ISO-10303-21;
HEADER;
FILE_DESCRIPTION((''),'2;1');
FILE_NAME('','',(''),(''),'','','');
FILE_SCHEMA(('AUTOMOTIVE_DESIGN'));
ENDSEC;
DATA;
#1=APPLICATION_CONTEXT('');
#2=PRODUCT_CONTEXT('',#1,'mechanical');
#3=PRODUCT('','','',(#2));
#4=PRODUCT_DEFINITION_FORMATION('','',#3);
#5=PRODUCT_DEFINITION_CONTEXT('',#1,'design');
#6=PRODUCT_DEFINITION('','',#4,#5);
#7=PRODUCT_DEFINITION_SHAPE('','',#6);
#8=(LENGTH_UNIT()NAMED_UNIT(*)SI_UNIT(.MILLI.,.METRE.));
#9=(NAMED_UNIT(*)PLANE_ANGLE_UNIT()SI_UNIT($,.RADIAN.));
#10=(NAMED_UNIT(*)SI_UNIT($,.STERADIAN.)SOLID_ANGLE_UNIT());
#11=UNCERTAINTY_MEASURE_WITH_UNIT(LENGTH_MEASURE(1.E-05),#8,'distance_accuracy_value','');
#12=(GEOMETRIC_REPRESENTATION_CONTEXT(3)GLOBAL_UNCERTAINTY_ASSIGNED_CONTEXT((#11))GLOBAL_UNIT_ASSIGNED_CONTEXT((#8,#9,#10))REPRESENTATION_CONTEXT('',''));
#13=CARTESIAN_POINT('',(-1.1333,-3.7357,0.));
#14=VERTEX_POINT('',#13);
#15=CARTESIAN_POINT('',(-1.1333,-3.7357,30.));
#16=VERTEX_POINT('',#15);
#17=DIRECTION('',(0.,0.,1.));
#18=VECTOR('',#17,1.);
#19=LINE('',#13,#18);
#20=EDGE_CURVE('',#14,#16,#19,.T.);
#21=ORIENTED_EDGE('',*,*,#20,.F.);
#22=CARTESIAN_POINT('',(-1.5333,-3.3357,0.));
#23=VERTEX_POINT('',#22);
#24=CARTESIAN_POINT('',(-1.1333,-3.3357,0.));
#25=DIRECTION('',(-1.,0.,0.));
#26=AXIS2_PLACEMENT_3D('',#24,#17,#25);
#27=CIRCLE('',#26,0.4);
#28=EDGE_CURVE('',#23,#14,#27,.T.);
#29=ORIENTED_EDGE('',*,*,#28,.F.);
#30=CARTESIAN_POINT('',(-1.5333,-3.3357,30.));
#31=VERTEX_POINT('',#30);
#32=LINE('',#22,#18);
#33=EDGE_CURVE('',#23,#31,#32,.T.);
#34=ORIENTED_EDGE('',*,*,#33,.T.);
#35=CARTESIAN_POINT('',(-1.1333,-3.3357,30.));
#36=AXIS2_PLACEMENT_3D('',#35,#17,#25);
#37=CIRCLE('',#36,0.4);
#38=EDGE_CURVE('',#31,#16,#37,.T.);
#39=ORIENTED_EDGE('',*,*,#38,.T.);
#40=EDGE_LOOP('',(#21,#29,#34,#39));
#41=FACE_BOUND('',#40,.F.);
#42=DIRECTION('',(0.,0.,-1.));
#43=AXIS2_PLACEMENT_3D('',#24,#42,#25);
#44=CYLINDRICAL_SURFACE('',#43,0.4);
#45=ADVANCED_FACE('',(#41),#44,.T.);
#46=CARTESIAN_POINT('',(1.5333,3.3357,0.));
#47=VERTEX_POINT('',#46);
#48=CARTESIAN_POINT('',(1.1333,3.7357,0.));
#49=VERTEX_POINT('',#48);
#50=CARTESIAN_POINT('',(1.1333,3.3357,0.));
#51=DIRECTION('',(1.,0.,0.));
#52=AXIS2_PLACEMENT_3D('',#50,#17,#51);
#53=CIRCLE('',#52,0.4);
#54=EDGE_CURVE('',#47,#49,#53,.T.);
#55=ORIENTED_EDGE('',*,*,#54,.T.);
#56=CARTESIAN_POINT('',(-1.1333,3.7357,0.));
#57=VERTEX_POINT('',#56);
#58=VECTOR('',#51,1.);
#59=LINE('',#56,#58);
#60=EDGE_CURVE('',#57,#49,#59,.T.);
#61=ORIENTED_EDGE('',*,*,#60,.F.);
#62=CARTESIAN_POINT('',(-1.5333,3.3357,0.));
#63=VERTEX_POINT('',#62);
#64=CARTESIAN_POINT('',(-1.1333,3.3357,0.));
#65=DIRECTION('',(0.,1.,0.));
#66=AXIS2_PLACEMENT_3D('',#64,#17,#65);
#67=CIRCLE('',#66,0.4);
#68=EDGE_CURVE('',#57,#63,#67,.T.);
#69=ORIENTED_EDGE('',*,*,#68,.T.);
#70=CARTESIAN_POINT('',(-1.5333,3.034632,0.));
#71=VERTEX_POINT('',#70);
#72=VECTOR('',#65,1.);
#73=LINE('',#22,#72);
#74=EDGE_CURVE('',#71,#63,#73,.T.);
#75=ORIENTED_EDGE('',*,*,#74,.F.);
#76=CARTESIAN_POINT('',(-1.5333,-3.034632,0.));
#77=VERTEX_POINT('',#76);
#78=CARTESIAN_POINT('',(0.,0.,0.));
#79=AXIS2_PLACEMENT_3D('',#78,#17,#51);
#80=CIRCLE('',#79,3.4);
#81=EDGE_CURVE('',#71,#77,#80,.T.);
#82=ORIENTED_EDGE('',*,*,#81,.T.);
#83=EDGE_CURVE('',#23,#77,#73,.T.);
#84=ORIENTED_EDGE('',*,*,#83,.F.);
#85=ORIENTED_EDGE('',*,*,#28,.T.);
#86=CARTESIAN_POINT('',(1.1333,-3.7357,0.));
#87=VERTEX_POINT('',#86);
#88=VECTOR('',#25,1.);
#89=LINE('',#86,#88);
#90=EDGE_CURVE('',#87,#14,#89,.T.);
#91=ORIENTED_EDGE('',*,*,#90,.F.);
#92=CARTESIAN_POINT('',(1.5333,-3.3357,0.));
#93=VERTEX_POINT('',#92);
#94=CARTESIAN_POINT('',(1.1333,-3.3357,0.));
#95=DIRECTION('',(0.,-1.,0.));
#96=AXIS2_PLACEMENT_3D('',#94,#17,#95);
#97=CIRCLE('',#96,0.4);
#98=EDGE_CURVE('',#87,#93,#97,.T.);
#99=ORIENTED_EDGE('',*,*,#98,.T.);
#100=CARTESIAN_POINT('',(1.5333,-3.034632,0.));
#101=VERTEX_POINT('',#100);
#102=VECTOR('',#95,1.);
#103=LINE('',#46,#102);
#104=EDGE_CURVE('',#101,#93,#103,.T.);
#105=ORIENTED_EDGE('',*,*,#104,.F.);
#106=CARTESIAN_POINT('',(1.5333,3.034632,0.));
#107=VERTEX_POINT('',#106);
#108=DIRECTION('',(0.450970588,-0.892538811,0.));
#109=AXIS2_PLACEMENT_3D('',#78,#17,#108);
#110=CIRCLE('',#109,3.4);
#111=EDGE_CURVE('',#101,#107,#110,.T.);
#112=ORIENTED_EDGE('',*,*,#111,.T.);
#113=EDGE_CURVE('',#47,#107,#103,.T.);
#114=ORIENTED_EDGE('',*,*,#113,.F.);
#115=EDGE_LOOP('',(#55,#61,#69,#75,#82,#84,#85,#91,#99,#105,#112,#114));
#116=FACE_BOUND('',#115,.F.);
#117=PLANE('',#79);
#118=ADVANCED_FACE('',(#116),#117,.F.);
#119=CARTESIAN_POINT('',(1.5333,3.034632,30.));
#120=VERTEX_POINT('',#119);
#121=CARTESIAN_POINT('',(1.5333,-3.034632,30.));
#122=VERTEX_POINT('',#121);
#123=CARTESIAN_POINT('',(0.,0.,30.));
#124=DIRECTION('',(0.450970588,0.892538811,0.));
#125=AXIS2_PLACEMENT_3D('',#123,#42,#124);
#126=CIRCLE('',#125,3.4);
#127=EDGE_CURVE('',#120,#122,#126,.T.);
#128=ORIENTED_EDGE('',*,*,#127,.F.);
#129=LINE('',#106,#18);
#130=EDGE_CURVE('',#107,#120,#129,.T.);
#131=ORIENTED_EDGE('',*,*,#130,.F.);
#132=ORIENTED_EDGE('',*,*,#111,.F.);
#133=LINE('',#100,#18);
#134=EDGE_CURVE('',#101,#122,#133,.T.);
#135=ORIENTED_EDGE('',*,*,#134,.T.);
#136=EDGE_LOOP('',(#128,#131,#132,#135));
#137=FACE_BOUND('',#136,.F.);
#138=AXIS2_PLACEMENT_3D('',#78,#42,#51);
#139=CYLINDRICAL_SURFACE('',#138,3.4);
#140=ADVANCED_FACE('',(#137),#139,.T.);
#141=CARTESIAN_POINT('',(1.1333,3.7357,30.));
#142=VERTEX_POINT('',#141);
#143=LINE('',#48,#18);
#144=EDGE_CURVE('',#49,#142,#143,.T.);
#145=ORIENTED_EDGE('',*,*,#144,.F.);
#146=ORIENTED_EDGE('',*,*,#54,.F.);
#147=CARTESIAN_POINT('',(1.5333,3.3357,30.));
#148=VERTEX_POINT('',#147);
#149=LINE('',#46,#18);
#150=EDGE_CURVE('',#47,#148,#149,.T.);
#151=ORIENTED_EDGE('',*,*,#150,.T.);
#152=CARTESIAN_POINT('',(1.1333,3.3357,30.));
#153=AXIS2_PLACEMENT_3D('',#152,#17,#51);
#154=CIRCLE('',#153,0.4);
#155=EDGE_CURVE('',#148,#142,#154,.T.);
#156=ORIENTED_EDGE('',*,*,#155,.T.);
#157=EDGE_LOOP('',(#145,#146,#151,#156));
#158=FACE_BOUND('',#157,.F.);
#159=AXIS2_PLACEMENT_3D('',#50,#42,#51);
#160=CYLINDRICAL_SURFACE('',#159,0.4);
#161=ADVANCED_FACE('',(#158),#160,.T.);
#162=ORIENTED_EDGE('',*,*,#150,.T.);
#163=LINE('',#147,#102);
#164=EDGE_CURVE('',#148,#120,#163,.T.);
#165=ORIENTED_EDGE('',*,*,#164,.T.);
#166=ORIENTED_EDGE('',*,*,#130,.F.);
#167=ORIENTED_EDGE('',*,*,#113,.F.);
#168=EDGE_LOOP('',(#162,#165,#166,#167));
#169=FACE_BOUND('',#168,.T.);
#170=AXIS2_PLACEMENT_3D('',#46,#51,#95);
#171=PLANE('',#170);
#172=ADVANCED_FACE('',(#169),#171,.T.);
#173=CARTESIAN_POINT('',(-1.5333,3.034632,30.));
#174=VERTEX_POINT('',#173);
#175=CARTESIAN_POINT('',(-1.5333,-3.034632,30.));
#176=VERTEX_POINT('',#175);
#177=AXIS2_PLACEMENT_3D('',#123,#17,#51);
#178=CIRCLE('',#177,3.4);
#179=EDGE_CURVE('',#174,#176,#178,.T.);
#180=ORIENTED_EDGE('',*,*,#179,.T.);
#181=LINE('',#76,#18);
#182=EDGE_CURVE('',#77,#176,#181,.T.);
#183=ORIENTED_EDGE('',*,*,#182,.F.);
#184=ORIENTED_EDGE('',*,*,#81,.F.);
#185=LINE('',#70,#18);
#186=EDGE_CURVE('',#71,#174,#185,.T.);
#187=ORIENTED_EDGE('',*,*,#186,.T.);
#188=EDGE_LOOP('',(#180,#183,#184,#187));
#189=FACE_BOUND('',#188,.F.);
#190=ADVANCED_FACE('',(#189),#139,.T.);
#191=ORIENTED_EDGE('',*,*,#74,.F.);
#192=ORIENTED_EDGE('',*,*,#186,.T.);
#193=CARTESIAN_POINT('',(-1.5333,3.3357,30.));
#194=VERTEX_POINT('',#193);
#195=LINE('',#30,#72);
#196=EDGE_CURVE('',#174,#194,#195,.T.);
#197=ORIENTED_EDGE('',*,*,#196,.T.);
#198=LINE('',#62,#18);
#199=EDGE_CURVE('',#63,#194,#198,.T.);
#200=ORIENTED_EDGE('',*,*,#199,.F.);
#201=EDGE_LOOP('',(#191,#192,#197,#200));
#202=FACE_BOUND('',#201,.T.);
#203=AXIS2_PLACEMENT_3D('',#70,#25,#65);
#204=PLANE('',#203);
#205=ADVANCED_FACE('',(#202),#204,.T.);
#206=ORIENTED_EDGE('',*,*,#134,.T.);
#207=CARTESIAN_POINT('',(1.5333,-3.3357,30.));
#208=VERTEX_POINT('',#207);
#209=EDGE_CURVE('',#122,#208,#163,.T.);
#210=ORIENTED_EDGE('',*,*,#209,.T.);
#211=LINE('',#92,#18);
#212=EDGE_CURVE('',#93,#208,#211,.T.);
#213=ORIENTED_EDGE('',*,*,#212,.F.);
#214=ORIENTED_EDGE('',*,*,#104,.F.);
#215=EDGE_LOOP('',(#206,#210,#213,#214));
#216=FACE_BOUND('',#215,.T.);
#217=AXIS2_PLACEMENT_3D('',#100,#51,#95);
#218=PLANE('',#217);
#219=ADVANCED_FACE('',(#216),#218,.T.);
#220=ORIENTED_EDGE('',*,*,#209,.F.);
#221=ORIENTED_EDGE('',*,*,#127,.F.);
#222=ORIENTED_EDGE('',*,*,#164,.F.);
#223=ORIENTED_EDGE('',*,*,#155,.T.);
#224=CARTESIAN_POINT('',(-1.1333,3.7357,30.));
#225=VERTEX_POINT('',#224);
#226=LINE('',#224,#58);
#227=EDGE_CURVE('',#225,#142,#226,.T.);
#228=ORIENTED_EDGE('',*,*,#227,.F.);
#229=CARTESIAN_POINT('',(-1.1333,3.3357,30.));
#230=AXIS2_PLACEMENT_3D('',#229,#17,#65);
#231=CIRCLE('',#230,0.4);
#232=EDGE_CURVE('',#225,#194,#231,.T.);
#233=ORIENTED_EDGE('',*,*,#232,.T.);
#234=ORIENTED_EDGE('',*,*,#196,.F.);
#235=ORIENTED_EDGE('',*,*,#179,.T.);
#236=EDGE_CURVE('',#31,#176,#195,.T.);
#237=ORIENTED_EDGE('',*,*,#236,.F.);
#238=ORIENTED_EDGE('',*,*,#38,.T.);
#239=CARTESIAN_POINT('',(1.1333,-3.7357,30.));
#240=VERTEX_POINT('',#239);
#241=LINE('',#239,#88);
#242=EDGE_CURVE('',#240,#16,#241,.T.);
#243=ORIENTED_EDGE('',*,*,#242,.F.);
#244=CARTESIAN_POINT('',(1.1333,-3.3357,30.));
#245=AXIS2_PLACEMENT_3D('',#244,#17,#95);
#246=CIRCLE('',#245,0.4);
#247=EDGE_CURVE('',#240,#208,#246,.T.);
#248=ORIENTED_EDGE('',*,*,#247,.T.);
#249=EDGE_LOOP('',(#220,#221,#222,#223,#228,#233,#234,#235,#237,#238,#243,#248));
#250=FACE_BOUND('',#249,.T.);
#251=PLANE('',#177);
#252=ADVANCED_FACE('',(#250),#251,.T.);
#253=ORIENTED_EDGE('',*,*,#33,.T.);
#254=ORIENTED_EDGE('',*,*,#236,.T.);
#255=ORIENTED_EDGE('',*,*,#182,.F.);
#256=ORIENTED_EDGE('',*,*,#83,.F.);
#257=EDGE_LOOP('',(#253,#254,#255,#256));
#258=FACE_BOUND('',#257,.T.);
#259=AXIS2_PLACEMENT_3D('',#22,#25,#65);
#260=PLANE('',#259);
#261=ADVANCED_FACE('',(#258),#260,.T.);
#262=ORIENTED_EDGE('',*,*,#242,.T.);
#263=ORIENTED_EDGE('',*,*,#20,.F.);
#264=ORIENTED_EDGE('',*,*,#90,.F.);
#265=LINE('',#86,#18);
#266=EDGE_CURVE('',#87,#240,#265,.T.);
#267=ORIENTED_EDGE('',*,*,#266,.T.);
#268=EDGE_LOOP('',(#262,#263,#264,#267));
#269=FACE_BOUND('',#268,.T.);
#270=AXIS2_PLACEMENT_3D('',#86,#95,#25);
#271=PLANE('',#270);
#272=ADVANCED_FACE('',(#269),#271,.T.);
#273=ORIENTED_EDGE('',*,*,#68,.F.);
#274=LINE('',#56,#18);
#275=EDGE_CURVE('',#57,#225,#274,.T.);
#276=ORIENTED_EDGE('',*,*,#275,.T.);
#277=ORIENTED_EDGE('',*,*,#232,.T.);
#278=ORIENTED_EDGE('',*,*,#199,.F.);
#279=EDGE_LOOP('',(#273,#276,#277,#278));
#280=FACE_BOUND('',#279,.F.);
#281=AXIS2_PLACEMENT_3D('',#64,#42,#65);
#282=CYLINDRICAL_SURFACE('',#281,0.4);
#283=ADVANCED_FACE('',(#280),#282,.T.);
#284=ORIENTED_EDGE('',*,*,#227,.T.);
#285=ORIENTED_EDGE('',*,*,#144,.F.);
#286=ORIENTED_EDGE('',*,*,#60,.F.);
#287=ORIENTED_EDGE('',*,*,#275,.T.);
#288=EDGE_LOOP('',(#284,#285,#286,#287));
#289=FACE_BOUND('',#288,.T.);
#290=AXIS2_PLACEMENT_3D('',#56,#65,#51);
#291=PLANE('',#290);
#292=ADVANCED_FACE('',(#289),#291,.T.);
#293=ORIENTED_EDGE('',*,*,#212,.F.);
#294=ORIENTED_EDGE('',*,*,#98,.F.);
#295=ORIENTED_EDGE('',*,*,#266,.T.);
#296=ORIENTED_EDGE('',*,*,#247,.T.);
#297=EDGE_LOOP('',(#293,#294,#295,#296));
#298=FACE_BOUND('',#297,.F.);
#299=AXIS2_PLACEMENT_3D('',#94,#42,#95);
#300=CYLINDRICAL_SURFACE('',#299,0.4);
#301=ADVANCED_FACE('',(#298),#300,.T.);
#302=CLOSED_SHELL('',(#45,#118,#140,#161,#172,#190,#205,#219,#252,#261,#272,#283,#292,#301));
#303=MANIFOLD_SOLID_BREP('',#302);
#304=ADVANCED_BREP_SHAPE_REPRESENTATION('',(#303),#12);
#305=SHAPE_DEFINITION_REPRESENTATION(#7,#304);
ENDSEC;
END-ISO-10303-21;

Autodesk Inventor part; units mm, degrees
ref_plane "YZ Plane" through (0, 0, 0) normal (1, 0, 0) x (0, 1, 0)
ref_plane "XZ Plane" through (0, 0, 0) normal (0, 1, 0) x (-1, 0, 0)
ref_plane "XY Plane" through (0, 0, 0) normal (0, 0, 1) x (1, 0, 0)
sketch "Sketch1" plane through (0, 0, 0) normal (0, 0, 1) x (1, 0, 0)
  circle A0 centre (0, 0) radius 3.4
  line L0 (1.1333, -3.7357) -> (-1.1333, -3.7357)
  line L1 (-1.5333, -3.3357) -> (-1.5333, 3.3357)
  line L2 (-1.1333, 3.7357) -> (1.1333, 3.7357)
  line L3 (1.5333, 3.3357) -> (1.5333, -3.3357)
  line L4 (1.5333, -3.7357) -> (-1.5333, 3.7357) construction
  line L5 (-1.5333, -3.7357) -> (1.5333, 3.7357) construction
  arc A1 (-1.1333, 3.7357) -> (-1.5333, 3.3357) centre (-1.1333, 3.3357) ccw
  arc A2 (1.5333, 3.3357) -> (1.1333, 3.7357) centre (1.1333, 3.3357) ccw
  arc A3 (1.1333, -3.7357) -> (1.5333, -3.3357) centre (1.1333, -3.3357) ccw
  arc A4 (-1.5333, -3.3357) -> (-1.1333, -3.7357) centre (-1.1333, -3.3357) ccw
  point P0 (-1.5333, 3.0346)
  point P1 (-1.5333, -3.0346)
  point P2 (1.5333, -3.0346)
  point P3 (1.5333, 3.0346)
  point P4 (-0.9416, 2.2076)
  point P5 (-0.9416, -2.2076)
  point P6 (0.9416, -2.2076)
  point P7 (0.9416, 2.2076)
  dimension "d0" = 6.8
  dimension "d1" = 3.0667
  dimension "d2" = 7.4714
  dimension "d3" = 0.4
extrude "Extrusion1" add sketch "Sketch1" along normal blind 30
equation "\"d0\" = D_axel - d_toleransAxel"
equation "\"d3\" = r_filletAxel"
equation "\"d4\" = h_axel"
equation "\"D_axel\" = D_axel_1"
equation "\"d_axelRing\" = d_axelRing_1"
equation "\"r_filletAxel\" = r_filletAxel_1"
equation "\"d_toleransAxel\" = 0.2"
equation "\"h_axel\" = 30"
equation "\"D_axel_1\" = 7"
equation "\"d_axelRing_1\" = 3"
equation "\"r_filletAxel_1\" = 0.4"
properties part number "Axel_parametriserad_03"
